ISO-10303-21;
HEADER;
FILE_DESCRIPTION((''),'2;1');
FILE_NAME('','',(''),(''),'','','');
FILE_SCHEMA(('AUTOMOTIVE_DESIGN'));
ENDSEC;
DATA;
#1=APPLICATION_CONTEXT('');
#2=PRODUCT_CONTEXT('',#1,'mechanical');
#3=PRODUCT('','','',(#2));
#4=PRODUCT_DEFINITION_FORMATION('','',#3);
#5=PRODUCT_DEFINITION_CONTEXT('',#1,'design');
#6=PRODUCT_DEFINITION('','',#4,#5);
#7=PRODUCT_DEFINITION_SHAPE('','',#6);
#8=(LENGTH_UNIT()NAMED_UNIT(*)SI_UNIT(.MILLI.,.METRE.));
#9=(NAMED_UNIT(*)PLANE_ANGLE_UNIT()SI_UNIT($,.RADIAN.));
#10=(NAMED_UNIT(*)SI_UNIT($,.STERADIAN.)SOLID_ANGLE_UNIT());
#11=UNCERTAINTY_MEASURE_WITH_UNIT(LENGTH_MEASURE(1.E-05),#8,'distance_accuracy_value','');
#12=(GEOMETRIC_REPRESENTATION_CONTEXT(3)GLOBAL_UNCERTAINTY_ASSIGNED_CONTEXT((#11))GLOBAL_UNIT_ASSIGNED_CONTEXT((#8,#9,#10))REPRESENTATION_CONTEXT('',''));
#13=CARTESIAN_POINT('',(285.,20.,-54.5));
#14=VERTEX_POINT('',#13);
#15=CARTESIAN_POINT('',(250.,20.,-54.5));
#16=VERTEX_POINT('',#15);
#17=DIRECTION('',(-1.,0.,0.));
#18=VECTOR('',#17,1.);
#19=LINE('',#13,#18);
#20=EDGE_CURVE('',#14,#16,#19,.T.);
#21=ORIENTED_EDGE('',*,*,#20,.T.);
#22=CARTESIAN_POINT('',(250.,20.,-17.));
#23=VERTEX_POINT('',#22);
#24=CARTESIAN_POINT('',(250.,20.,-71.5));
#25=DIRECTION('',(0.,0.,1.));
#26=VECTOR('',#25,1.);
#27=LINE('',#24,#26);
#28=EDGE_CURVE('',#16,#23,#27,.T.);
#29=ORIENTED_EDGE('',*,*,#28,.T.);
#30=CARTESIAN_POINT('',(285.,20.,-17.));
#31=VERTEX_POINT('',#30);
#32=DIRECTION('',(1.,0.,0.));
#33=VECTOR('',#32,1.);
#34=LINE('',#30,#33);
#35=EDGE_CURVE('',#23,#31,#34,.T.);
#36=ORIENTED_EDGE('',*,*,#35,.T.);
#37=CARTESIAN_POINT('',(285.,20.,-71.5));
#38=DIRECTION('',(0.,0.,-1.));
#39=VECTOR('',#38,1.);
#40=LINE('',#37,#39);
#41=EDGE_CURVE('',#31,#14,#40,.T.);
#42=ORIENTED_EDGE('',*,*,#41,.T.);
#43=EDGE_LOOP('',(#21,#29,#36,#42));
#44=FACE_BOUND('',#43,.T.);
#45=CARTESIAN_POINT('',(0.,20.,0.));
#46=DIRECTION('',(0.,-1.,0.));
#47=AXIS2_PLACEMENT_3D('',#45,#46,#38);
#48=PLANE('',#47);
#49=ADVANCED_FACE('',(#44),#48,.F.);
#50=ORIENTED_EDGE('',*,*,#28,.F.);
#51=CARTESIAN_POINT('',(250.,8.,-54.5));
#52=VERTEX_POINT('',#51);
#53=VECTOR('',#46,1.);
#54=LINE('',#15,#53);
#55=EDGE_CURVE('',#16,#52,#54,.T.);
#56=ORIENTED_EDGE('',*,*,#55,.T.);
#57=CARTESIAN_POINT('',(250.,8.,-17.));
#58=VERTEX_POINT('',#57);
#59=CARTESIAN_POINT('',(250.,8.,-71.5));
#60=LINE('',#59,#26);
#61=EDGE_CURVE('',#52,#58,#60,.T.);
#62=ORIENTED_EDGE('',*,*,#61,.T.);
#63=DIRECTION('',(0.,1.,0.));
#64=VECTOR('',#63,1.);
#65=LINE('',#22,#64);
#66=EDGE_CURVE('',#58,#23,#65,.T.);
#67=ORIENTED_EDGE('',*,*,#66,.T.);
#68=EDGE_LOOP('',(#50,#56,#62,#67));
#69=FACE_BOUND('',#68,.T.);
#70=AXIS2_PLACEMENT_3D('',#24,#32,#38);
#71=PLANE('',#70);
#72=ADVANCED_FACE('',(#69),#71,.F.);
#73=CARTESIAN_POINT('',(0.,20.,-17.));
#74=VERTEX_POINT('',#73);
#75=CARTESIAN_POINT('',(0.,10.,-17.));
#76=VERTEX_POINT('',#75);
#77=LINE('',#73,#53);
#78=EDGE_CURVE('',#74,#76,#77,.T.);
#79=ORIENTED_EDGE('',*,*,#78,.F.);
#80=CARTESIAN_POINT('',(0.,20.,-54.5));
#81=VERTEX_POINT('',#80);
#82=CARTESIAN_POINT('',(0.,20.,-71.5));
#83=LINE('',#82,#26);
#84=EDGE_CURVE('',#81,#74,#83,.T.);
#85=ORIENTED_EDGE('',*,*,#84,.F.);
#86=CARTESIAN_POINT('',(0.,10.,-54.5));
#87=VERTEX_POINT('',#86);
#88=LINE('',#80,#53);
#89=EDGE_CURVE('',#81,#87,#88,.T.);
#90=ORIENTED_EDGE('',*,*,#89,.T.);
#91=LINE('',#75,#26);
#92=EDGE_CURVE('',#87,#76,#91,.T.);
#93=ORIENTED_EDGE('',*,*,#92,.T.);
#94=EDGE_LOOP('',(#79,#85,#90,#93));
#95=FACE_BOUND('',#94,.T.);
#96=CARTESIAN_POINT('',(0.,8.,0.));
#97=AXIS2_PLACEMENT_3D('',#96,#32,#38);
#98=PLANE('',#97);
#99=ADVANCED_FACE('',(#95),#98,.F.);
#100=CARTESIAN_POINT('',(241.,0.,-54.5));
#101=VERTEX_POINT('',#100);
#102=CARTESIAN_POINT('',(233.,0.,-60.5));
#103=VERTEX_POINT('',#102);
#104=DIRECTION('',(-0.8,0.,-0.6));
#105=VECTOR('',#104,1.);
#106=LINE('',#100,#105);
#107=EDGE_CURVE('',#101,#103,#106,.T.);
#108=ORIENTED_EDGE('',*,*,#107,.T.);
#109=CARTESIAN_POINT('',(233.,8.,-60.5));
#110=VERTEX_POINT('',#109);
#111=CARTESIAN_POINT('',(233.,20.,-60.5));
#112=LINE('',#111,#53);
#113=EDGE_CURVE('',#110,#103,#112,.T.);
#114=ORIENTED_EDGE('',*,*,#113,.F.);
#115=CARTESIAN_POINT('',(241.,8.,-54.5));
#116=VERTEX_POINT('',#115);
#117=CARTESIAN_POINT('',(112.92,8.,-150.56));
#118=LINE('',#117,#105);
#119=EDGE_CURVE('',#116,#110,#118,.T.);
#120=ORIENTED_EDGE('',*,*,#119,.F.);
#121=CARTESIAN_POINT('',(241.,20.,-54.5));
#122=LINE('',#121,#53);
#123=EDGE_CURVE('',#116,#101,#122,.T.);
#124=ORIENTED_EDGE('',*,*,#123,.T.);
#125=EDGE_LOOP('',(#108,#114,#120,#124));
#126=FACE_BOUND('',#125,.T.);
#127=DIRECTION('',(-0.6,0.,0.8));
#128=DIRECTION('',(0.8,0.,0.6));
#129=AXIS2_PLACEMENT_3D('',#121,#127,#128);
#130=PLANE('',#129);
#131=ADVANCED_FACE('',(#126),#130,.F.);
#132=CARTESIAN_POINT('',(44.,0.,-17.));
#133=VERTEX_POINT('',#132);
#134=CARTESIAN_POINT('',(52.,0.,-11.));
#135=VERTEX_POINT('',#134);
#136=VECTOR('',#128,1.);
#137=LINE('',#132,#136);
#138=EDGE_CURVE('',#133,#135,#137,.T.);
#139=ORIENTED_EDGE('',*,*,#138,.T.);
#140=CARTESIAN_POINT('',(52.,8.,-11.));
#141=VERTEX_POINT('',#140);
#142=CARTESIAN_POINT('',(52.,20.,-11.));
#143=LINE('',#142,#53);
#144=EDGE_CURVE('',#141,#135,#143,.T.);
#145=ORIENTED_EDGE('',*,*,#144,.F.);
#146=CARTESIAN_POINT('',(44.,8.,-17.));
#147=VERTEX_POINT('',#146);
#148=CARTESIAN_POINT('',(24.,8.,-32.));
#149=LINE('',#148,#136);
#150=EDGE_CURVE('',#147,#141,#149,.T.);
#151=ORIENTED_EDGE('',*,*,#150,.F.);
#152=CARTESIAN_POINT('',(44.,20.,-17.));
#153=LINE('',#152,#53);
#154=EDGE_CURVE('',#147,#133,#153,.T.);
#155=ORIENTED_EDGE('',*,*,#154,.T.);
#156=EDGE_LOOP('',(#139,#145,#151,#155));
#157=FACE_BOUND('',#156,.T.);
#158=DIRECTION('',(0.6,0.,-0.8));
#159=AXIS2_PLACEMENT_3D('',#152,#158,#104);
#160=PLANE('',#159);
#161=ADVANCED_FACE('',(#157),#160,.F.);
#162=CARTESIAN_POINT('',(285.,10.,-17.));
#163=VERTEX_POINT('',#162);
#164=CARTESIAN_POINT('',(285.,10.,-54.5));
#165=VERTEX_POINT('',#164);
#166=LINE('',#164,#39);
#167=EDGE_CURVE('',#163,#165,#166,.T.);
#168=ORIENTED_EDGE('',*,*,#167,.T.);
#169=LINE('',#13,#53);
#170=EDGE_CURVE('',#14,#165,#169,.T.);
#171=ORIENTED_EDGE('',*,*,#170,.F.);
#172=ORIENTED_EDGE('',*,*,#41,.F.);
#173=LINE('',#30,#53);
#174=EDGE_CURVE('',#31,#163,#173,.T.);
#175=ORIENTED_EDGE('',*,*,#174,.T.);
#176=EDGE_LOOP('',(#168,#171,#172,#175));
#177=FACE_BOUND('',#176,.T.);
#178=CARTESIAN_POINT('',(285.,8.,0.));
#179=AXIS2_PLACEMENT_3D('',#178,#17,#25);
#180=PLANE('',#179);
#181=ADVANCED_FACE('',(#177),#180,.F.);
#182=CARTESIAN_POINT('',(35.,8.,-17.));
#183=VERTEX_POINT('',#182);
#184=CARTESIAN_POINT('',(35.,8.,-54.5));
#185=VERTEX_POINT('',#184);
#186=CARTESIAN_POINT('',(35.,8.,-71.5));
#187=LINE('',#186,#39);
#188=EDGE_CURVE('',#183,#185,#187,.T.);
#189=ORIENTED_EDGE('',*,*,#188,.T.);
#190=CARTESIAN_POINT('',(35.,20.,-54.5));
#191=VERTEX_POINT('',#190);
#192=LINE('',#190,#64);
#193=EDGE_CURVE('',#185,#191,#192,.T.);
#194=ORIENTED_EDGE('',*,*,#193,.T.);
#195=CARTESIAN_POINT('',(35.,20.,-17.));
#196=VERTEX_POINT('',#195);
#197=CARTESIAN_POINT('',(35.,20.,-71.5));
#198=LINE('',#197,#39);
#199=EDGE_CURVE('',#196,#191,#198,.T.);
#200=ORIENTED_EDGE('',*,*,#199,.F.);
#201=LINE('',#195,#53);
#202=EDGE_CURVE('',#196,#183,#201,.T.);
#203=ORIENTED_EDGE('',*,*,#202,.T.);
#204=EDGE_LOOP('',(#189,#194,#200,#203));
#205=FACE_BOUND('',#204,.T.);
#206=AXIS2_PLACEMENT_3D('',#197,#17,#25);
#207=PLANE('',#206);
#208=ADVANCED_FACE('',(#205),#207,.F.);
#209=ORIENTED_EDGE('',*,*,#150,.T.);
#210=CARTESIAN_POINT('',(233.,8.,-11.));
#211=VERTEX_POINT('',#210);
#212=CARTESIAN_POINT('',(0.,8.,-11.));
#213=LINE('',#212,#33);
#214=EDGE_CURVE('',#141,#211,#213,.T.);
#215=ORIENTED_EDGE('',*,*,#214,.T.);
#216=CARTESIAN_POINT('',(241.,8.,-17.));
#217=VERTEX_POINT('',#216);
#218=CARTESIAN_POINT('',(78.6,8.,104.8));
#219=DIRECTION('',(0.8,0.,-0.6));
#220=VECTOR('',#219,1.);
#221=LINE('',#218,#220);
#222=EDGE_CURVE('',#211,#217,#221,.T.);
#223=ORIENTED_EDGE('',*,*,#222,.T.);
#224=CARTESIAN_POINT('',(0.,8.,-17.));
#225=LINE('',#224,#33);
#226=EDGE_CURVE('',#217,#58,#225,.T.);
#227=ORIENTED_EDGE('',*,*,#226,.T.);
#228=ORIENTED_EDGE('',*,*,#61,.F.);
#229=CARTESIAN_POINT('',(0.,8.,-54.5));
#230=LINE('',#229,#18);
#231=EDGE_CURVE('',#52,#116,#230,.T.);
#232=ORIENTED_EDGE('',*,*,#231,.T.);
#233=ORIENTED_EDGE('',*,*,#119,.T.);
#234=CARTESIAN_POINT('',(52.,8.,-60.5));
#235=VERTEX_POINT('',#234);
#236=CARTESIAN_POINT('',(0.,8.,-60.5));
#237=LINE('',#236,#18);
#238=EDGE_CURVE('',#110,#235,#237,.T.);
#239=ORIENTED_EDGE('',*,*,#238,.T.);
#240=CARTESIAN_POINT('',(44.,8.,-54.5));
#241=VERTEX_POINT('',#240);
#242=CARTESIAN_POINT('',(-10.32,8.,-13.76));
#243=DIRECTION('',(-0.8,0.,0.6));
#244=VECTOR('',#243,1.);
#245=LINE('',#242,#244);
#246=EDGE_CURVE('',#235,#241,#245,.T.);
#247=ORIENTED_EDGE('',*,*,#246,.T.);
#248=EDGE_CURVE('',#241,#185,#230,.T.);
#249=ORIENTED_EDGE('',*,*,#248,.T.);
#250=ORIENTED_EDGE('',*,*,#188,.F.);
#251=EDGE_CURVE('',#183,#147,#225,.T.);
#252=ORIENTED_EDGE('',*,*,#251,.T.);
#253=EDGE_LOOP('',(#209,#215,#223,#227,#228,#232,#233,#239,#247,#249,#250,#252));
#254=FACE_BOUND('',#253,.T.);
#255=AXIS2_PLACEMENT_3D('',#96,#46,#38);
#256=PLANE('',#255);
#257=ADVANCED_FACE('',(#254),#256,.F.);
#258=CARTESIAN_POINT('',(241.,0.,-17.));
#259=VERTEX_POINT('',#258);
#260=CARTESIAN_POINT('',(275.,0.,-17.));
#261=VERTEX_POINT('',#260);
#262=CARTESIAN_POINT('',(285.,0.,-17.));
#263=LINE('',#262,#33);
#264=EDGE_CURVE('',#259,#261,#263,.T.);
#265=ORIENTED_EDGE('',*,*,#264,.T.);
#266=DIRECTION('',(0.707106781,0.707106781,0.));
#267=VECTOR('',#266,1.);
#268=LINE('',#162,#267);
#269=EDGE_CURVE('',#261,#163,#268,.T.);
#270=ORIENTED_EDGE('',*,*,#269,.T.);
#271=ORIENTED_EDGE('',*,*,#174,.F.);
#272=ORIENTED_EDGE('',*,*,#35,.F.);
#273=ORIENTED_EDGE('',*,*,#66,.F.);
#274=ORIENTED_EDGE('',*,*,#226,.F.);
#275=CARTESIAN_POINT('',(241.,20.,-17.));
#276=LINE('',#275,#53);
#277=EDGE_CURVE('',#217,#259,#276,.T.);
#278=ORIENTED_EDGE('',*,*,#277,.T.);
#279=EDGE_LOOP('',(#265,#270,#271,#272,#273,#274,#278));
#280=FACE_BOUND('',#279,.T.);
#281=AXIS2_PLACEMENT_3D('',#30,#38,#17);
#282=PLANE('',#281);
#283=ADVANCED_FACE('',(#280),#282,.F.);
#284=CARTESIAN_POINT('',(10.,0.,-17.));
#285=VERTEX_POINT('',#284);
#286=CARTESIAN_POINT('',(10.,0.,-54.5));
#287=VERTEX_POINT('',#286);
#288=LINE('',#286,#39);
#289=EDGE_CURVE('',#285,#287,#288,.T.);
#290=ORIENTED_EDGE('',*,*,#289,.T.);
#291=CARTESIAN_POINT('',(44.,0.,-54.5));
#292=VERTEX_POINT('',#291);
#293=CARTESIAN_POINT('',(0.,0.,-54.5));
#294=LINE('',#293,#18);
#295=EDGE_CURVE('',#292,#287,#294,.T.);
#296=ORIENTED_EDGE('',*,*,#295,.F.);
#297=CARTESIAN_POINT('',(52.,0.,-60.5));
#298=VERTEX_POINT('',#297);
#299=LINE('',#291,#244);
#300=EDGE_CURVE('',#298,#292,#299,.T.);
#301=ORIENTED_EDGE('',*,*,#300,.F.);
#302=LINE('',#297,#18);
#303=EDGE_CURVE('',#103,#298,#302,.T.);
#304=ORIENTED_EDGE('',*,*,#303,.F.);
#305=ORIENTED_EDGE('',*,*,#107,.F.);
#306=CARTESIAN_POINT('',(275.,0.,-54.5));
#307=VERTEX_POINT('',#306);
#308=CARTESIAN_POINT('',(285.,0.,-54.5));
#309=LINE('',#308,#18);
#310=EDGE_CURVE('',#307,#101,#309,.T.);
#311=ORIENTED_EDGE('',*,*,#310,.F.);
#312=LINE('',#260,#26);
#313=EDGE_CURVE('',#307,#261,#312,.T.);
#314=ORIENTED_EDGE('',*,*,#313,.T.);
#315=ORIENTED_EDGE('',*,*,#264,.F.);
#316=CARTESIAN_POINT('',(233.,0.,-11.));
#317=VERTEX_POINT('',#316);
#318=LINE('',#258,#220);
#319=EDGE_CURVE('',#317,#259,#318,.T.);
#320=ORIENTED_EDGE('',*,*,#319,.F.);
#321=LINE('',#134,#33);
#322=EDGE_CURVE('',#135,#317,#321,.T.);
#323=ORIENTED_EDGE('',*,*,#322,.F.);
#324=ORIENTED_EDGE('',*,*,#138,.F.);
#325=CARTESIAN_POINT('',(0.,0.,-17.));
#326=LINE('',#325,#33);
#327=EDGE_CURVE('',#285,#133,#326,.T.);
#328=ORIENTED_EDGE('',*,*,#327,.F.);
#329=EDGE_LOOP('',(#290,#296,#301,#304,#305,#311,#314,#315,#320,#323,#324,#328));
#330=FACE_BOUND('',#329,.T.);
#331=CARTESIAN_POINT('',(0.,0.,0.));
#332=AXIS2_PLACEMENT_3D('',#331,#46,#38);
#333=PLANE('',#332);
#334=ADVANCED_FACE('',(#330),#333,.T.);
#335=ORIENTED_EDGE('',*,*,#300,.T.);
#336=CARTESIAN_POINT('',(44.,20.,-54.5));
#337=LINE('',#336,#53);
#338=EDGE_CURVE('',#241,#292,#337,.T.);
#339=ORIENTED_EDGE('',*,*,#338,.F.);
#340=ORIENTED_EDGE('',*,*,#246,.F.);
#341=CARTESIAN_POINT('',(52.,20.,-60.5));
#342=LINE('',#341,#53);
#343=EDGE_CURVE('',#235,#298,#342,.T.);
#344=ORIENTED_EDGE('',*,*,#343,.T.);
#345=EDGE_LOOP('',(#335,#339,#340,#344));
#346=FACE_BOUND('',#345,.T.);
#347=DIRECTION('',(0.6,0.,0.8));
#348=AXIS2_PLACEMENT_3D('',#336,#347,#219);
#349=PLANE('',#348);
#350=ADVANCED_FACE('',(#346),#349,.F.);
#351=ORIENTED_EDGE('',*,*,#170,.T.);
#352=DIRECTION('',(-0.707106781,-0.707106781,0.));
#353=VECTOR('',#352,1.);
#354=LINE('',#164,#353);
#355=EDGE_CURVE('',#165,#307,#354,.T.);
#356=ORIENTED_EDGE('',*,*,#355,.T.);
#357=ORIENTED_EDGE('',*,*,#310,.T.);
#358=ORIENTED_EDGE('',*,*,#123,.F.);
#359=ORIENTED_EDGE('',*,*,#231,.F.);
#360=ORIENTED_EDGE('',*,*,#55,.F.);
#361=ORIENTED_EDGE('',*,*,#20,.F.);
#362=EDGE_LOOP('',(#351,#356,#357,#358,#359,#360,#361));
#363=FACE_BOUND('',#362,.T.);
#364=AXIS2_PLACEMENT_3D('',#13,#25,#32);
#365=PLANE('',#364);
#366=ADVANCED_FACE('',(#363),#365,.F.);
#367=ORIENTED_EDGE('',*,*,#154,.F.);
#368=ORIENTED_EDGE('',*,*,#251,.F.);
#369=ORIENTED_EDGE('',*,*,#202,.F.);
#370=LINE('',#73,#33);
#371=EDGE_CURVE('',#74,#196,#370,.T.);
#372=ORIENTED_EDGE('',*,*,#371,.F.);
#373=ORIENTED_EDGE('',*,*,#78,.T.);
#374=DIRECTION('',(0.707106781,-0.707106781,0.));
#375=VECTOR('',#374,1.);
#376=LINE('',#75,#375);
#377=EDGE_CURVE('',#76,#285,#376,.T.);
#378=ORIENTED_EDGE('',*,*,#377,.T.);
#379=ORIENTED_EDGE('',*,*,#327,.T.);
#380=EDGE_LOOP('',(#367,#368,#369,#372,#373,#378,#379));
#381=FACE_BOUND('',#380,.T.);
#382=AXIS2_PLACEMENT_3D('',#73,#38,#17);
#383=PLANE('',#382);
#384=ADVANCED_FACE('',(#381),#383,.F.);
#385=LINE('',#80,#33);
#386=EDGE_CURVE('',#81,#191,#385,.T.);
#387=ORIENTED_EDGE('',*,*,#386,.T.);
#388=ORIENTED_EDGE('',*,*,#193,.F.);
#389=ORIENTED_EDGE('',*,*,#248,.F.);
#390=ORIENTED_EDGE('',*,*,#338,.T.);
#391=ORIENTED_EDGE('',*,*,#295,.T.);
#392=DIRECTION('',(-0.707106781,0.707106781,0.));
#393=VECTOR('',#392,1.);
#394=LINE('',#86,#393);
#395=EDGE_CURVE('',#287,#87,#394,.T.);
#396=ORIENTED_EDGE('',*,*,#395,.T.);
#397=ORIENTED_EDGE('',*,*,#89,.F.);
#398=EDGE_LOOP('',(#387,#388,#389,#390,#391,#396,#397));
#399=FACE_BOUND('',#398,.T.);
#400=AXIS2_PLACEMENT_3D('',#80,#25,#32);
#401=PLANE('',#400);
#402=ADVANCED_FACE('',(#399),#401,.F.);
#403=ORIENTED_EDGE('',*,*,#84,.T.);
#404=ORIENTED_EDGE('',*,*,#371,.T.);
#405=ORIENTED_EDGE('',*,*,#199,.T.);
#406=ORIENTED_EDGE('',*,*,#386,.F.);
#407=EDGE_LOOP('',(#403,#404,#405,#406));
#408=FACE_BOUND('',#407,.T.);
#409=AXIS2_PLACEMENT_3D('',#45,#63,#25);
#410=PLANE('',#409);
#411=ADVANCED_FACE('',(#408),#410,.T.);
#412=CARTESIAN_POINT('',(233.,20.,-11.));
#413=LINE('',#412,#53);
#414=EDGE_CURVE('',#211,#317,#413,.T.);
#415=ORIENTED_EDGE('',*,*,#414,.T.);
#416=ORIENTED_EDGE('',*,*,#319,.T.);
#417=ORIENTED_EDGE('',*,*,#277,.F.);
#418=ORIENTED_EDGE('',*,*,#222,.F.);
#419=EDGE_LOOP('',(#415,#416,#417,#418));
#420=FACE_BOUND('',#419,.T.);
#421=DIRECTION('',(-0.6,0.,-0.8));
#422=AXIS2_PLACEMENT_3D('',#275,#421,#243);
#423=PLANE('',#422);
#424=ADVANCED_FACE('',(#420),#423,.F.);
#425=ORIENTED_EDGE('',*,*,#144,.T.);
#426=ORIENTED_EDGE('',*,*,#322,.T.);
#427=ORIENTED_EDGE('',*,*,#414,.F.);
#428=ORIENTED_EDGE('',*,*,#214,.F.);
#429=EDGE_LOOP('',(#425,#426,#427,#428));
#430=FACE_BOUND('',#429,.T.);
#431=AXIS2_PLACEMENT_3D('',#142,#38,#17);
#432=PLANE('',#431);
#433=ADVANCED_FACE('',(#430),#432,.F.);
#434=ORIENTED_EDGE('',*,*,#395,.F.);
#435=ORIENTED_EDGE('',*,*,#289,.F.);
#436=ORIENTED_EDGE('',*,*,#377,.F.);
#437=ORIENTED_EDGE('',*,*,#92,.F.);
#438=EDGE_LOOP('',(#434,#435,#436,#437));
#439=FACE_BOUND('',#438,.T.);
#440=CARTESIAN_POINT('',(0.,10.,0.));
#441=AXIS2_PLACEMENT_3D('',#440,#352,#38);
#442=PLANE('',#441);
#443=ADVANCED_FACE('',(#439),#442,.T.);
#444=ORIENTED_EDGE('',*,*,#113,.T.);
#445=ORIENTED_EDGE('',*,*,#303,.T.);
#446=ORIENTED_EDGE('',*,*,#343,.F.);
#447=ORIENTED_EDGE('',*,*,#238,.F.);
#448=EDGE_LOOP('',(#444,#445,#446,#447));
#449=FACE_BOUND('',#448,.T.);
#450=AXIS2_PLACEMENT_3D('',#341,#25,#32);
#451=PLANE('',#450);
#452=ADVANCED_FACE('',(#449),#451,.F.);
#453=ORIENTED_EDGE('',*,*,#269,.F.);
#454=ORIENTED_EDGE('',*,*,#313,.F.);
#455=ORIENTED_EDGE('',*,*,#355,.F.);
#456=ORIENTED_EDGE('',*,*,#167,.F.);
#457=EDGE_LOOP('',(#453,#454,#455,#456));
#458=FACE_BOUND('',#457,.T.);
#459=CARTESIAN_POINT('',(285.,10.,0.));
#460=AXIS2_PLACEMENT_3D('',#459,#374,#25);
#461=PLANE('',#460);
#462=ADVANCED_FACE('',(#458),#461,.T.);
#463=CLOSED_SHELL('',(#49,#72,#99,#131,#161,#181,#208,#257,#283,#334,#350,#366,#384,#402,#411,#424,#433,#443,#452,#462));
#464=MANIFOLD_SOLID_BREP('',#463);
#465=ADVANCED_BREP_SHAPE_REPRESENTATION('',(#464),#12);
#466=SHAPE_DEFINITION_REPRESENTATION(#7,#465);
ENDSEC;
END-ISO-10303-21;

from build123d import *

# Parameters (mm, degrees)
SKETCH1_W           = 285
SKETCH1_H           = 71.5
BOSS_EXTRUDE1_DEPTH = 8
SKETCH2_W           = 35
SKETCH2_H           = 71.5
BOSS_EXTRUDE2_DEPTH = 12
CUT_EXTRUDE2_DEPTH  = 295.51188431
CHAMFER1_SIZE       = 10


with BuildPart() as part:
    # Sketch1 → Boss-Extrude1 (new body)
    with BuildSketch(Plane(origin=(0, 0, 0), x_dir=(1, 0, 0), z_dir=(0, 1, 0))):
        with Locations((142.5, 35.75)):
            Rectangle(SKETCH1_W, SKETCH1_H)
    extrude(amount=BOSS_EXTRUDE1_DEPTH)

    # Sketch2 → Boss-Extrude2 (add)
    with BuildSketch(Plane(origin=(0, 8, 0), x_dir=(1, 0, 0), z_dir=(0, 1, 0))):
        with Locations((17.5, 35.75)):
            Rectangle(SKETCH2_W, SKETCH2_H)
        with Locations((267.5, 35.75)):
            Rectangle(SKETCH2_W, SKETCH2_H)
    extrude(amount=BOSS_EXTRUDE2_DEPTH)

    # Sketch4 → Cut-Extrude2 (cut, through all)
    with BuildSketch(Plane.XZ):
        Polygon((0, -17), (44, -17), (52, -11), (233, -11), (241, -17), (285, -17), (285, 0), (0, 0), align=None)
        Polygon((44, -54.5), (52, -60.5), (233, -60.5), (241, -54.5), (285, -54.5), (285, -71.5), (0, -71.5), (0, -54.5), align=None)
    extrude(amount=-CUT_EXTRUDE2_DEPTH, mode=Mode.SUBTRACT)

    # Chamfer1
    chamfer1_edges = [part.edges().sort_by_distance(p)[0] for p in [
        (0, 0, -35.75),
        (285, 0, -35.75),
    ]]
    chamfer(chamfer1_edges, length=CHAMFER1_SIZE)


solid = part.part
